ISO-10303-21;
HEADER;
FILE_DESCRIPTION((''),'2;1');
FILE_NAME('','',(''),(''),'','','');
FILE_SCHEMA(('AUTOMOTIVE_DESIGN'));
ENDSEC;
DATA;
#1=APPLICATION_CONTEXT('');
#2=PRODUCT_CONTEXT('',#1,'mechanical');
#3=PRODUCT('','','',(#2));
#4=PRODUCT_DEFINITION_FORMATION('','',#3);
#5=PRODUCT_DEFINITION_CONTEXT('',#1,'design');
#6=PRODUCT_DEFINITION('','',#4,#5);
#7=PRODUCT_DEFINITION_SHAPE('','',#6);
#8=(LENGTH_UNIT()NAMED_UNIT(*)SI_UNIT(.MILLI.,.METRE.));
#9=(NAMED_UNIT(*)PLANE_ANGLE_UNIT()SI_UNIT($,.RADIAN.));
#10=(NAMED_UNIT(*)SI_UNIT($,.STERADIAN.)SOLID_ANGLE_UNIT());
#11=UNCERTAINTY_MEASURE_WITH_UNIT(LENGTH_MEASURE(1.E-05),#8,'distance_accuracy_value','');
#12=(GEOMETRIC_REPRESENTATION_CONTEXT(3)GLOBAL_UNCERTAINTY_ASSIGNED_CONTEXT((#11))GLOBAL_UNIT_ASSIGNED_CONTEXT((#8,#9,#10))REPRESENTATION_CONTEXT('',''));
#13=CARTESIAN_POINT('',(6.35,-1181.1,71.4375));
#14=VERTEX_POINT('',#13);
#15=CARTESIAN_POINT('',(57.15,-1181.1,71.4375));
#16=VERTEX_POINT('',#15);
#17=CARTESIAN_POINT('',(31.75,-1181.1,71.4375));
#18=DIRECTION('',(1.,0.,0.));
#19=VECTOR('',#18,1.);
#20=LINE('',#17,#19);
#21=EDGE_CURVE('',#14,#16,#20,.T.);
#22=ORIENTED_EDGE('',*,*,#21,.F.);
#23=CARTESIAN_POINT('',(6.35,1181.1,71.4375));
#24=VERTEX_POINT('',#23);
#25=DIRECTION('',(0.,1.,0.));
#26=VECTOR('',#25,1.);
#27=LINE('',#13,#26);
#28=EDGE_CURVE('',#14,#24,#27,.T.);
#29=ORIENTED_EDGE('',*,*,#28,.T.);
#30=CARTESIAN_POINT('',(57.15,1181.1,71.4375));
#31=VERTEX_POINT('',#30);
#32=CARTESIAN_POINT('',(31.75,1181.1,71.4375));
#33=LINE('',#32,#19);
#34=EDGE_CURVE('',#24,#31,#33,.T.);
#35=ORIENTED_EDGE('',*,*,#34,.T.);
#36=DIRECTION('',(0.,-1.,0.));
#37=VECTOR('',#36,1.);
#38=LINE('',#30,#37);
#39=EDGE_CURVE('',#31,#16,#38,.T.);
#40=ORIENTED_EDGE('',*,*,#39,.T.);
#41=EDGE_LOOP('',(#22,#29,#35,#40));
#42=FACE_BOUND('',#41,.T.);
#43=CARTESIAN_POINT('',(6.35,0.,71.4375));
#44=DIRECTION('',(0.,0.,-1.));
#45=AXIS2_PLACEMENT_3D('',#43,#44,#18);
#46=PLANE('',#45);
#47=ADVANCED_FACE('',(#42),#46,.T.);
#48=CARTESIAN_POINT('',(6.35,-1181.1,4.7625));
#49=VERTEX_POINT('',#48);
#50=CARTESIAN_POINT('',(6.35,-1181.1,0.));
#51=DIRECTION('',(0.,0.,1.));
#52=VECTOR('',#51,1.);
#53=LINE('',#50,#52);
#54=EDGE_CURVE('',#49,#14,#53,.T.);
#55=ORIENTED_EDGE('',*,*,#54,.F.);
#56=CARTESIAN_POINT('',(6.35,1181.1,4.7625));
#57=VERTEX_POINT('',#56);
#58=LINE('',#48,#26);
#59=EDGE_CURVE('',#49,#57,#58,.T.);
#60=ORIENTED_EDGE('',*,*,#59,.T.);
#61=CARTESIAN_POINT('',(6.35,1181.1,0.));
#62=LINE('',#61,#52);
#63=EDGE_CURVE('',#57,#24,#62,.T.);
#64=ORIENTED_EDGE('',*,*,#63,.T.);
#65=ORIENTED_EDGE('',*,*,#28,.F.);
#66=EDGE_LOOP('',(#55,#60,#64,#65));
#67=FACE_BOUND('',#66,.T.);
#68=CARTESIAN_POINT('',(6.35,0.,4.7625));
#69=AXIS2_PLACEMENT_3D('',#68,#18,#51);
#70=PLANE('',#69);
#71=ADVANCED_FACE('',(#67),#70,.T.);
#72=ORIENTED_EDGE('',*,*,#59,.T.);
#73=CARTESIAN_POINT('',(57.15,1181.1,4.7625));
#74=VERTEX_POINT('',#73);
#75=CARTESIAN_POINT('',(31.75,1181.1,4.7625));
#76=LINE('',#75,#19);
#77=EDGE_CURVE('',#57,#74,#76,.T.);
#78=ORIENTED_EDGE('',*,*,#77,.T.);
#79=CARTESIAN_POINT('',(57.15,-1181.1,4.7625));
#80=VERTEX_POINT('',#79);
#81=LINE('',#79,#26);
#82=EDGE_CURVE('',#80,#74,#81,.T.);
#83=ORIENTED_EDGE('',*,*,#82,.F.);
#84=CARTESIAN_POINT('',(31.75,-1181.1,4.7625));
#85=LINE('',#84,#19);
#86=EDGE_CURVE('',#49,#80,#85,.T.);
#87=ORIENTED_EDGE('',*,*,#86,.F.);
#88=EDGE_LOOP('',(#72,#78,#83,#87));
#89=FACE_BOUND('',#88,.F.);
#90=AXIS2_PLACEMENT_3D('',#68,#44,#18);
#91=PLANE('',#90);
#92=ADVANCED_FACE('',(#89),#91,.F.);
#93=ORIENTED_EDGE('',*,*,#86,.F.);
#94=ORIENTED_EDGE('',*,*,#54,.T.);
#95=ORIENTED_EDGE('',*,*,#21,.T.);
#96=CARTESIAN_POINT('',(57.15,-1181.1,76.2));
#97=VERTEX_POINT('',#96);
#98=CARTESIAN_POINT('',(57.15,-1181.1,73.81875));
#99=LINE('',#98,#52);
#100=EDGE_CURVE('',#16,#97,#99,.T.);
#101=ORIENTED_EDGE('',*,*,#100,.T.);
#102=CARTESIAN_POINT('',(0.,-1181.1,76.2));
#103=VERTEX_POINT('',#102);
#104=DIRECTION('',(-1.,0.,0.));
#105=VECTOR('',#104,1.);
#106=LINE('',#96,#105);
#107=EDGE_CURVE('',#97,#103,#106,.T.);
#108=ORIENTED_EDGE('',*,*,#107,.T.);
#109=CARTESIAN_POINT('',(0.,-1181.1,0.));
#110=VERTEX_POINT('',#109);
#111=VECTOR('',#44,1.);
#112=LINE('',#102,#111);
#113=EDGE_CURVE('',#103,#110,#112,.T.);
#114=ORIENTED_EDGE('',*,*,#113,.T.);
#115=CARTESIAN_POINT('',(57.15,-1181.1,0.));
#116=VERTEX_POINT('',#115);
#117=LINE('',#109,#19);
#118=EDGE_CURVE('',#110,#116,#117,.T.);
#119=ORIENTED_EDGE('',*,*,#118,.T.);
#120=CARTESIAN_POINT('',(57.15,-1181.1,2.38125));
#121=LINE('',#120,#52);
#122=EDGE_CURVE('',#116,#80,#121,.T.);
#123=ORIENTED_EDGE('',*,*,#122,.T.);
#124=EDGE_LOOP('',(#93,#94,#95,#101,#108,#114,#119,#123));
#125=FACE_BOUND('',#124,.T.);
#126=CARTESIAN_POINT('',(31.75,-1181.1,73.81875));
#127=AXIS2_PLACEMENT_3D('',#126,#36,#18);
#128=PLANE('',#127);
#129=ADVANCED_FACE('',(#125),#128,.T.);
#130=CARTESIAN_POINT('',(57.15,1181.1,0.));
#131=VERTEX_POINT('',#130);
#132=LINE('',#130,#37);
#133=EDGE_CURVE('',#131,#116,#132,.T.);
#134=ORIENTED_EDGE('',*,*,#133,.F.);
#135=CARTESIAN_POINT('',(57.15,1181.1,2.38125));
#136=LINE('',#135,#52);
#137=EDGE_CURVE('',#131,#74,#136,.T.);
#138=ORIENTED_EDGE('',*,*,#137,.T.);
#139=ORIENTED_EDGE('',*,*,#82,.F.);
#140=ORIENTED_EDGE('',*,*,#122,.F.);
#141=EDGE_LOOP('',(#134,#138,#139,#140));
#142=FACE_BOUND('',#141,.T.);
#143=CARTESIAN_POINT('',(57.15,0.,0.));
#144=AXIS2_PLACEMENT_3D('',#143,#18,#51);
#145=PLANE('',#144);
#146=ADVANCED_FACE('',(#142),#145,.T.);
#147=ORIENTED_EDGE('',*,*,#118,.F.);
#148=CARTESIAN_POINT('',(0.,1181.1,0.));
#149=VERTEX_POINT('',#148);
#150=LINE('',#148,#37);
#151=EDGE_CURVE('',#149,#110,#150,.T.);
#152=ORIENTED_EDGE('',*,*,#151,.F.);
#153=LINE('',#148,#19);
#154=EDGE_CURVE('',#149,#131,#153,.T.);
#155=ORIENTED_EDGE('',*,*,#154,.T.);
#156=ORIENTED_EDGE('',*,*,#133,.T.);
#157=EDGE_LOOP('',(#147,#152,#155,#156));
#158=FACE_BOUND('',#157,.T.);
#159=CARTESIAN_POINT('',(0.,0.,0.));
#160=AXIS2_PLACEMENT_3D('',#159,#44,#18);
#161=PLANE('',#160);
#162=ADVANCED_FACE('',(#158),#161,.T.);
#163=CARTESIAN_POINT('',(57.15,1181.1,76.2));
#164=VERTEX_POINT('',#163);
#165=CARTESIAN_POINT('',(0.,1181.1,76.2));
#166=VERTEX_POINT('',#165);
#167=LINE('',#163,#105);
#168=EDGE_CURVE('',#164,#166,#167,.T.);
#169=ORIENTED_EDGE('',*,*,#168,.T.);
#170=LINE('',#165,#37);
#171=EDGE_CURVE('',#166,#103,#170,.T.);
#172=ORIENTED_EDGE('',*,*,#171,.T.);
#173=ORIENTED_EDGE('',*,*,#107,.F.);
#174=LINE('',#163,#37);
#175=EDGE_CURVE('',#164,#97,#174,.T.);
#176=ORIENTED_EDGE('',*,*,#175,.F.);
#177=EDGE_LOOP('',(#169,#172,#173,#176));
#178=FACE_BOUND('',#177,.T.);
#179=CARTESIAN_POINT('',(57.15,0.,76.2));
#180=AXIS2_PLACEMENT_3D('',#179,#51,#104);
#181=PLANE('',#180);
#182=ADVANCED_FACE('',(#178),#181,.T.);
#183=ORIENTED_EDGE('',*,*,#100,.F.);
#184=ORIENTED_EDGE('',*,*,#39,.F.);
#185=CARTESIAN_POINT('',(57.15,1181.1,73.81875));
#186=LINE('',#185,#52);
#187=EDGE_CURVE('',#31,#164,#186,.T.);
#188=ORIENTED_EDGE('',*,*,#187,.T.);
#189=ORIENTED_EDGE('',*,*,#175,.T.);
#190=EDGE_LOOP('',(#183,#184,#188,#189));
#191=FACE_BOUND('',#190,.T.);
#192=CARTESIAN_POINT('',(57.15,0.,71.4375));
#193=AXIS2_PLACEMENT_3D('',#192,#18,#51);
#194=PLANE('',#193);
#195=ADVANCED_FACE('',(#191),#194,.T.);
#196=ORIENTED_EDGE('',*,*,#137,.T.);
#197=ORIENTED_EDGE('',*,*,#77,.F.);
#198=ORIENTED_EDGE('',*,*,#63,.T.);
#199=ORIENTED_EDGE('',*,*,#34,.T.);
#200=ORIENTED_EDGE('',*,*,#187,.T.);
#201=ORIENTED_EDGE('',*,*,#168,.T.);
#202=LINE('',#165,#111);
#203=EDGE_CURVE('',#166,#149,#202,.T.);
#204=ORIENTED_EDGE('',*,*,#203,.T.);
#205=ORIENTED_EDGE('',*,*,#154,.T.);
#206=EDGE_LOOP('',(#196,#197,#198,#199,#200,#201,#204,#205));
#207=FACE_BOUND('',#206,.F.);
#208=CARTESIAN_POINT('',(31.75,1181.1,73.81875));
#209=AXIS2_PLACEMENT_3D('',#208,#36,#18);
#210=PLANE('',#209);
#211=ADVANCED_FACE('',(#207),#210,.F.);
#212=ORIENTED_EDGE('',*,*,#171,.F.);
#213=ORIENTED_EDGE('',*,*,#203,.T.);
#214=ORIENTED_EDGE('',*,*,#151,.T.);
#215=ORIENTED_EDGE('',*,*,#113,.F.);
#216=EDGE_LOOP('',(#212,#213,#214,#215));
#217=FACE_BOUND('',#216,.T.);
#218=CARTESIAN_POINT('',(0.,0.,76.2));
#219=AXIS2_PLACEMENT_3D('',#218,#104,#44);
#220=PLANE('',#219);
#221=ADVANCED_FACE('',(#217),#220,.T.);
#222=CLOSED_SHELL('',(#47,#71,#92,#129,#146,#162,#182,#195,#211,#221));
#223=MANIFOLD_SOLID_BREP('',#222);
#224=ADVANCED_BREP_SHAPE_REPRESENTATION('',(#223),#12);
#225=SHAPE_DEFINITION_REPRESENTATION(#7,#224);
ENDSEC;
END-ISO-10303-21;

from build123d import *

# Parameters (mm, degrees)
F0_W     = 50.8
F0_H     = 4.7625
F1_DEPTH = 1181.1


with BuildPart() as f1:
    # F0 (on Front) → F1 (new body, symmetric)
    with BuildSketch(Plane.XZ):
        with Locations((31.75, 73.81875)):
            Rectangle(F0_W, F0_H)
        Polygon((0, 76.2), (0, 0), (6.35, 0), (6.35, 4.7625), (6.35, 71.4375), (6.35, 76.2), align=None)
        with Locations((31.75, 2.38125)):
            Rectangle(F0_W, F0_H)
    extrude(amount=F1_DEPTH, both=True)


solid = f1.part
